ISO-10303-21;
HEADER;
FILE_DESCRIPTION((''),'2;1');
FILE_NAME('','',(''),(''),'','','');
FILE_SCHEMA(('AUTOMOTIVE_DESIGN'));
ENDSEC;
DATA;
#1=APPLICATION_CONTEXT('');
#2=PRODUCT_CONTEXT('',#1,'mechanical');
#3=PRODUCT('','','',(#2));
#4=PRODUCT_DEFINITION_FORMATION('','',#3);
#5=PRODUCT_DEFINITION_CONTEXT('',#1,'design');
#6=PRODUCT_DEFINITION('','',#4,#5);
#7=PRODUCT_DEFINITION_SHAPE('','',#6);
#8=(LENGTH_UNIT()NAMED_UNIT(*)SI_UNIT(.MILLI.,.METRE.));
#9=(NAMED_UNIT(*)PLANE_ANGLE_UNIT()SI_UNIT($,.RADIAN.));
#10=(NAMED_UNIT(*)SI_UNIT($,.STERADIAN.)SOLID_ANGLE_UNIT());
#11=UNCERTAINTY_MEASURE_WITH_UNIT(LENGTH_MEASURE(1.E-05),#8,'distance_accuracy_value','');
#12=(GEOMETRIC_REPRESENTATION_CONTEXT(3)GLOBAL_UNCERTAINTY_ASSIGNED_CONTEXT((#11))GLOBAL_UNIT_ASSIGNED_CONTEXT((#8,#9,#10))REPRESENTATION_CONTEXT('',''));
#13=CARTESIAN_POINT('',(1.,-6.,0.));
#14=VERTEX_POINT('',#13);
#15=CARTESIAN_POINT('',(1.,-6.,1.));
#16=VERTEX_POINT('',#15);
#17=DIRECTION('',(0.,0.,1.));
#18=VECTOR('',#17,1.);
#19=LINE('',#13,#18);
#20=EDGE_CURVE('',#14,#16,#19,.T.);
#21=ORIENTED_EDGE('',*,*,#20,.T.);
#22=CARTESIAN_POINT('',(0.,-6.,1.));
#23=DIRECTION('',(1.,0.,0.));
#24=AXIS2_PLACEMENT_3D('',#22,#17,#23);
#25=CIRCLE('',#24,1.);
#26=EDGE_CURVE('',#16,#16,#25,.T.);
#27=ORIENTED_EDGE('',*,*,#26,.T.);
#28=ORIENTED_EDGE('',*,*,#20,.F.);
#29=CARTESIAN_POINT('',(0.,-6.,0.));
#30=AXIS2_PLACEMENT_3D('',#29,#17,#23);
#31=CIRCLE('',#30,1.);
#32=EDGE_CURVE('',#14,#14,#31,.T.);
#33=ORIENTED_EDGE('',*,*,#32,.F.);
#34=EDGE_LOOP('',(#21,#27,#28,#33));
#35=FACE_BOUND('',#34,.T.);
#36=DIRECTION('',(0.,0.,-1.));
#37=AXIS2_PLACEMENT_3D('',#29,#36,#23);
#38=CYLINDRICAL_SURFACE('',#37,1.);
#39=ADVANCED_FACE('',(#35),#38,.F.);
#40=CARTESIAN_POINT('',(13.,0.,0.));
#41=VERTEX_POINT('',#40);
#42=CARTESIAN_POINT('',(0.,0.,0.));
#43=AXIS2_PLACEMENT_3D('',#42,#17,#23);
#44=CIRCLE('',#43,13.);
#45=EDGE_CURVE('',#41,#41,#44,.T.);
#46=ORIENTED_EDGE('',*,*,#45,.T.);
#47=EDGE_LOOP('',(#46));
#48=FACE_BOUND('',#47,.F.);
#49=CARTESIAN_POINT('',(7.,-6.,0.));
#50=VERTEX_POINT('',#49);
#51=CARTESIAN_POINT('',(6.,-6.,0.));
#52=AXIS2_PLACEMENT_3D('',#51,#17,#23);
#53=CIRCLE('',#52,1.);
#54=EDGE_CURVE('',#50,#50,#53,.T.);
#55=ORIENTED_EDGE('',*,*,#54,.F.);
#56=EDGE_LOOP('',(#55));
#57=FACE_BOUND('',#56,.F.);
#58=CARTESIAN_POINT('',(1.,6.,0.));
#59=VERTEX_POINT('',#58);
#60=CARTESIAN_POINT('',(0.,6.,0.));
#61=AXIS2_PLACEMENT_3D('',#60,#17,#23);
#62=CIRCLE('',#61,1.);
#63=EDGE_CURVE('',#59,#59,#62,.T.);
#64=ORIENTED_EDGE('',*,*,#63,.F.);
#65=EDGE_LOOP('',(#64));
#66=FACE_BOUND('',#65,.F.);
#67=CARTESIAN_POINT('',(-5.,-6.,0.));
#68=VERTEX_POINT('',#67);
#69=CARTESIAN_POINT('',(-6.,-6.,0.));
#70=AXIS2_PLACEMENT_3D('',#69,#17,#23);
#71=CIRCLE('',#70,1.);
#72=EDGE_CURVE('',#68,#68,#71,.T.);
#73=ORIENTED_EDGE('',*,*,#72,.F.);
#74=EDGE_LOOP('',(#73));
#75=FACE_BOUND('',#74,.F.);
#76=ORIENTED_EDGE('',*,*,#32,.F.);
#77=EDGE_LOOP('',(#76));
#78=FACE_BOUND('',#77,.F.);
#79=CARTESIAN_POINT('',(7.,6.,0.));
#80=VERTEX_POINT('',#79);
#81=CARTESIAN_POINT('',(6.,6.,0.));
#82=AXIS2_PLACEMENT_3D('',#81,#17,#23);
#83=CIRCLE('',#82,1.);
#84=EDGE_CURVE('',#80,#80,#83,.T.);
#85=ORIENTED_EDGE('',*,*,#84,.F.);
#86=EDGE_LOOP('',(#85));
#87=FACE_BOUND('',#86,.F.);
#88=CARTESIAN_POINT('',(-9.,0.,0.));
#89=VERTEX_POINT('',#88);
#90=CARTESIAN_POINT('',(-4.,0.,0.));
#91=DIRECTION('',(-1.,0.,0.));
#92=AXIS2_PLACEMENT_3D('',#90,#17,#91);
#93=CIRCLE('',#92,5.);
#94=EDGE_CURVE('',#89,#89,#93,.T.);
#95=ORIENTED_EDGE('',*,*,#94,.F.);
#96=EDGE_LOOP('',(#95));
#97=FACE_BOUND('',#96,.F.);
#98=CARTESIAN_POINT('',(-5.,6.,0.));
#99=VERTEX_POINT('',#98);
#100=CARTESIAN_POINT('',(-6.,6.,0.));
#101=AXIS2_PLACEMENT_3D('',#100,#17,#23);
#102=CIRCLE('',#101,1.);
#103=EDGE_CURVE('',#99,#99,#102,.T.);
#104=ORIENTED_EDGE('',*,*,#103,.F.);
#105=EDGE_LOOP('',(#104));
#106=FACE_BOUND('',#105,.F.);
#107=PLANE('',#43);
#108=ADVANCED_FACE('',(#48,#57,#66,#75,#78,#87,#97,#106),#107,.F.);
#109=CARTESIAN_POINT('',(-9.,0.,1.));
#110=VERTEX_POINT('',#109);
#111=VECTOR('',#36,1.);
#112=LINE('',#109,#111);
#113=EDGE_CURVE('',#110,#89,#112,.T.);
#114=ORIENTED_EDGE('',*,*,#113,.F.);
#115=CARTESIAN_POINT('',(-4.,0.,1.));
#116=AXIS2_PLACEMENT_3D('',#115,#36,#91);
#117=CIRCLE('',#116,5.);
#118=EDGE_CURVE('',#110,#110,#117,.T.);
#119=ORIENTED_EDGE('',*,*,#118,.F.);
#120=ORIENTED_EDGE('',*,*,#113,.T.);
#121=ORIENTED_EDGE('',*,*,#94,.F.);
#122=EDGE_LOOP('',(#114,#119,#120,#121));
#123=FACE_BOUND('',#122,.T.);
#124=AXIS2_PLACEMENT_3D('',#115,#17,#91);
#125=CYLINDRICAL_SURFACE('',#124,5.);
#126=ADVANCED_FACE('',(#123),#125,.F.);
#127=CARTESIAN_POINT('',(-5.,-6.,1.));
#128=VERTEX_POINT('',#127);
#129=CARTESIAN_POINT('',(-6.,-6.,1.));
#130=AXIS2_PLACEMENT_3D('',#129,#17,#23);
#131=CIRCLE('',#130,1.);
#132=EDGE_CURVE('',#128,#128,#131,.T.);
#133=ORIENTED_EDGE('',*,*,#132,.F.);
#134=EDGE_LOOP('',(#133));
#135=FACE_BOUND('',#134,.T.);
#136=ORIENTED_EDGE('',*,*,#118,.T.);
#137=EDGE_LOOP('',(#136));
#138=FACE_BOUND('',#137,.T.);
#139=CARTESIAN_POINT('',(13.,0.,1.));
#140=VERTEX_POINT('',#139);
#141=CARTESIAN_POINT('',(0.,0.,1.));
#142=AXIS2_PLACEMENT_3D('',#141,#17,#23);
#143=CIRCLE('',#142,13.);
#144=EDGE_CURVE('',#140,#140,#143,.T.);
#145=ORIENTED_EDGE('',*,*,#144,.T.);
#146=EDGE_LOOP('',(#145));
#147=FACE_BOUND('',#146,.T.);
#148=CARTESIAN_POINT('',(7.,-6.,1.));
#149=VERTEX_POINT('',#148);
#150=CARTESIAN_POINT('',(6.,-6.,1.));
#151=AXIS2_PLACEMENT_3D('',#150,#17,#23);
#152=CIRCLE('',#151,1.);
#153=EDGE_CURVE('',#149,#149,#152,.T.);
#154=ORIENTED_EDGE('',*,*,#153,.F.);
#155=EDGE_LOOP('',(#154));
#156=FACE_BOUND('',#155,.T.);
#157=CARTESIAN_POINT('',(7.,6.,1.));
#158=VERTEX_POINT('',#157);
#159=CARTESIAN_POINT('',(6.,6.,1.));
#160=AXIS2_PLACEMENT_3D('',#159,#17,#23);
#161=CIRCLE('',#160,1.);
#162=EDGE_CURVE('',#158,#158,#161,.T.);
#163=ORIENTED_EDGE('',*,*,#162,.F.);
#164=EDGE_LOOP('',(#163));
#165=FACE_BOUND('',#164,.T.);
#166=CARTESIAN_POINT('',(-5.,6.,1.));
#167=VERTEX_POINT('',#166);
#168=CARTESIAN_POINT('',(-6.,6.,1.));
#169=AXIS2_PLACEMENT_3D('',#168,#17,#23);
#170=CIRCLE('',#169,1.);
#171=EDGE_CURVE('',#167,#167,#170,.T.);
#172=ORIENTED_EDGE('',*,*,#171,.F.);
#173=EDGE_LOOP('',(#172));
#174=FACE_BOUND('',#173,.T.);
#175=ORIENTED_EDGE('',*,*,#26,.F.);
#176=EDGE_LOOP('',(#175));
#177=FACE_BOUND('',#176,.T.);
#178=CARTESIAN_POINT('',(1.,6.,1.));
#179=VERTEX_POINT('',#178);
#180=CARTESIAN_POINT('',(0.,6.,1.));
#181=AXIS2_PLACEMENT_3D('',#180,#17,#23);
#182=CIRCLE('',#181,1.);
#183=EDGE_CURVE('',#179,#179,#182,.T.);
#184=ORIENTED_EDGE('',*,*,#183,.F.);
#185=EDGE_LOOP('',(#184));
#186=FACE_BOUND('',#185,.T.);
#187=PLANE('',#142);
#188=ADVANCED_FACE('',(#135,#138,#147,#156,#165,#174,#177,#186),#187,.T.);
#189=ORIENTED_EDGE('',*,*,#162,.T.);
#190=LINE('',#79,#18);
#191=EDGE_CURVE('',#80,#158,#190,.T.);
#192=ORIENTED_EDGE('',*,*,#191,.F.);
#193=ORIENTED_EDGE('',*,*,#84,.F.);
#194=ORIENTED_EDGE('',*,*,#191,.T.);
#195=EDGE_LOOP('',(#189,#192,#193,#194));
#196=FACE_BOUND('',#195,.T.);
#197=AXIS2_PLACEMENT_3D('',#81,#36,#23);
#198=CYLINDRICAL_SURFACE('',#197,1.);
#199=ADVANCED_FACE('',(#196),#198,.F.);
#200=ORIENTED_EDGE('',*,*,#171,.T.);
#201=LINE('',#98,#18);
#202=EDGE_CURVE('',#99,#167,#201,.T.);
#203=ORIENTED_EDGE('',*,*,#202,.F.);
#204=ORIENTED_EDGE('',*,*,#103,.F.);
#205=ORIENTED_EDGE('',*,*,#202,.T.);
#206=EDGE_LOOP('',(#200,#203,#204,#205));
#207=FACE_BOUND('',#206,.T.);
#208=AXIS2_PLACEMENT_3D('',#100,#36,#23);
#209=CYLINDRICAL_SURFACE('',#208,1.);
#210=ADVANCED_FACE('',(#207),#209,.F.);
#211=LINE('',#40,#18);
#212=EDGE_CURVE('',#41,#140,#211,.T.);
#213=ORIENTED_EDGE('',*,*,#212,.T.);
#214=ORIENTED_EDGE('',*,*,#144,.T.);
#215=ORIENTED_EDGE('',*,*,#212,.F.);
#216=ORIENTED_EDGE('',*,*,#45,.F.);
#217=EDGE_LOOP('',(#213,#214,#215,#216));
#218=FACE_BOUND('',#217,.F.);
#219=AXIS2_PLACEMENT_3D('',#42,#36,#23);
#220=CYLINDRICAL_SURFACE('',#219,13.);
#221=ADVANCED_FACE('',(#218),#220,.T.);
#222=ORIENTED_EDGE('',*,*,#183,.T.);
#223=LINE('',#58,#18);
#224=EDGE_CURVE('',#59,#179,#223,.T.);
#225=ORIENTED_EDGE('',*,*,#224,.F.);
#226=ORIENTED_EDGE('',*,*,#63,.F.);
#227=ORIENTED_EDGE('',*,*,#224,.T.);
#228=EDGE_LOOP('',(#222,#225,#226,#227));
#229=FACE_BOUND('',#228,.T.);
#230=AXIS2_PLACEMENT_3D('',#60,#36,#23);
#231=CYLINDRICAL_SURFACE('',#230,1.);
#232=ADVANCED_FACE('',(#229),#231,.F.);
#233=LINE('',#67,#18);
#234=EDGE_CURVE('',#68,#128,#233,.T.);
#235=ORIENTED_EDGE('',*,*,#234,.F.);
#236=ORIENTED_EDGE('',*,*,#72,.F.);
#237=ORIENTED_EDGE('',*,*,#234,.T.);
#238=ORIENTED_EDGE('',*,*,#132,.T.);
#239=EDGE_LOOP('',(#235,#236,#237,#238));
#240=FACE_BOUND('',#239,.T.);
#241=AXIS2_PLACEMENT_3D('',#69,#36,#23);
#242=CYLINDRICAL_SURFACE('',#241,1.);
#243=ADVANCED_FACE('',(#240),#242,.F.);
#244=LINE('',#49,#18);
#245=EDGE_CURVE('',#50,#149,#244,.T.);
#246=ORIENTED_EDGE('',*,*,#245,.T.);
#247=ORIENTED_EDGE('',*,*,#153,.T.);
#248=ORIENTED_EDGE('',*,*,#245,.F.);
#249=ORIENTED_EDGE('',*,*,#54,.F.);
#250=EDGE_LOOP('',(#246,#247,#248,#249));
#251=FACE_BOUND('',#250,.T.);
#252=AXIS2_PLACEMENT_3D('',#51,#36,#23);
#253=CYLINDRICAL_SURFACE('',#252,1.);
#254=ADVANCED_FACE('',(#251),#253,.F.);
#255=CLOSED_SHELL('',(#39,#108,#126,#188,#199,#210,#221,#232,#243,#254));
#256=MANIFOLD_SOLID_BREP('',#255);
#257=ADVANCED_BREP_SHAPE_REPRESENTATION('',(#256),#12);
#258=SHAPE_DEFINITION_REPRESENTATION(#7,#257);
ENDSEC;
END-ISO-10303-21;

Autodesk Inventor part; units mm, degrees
ref_plane "YZ Plane" through (0, 0, 0) normal (1, 0, 0) x (0, 1, 0)
ref_plane "XZ Plane" through (0, 0, 0) normal (0, 1, 0) x (-1, 0, 0)
ref_plane "XY Plane" through (0, 0, 0) normal (0, 0, 1) x (1, 0, 0)
sketch "Sketch1" plane through (0, 0, 0) normal (0, 0, 1) x (1, 0, 0)
  circle A0 centre (0, 0) radius 13
  circle A1 centre (-6, 6) radius 1
  circle A2 centre (0, 6) radius 1
  circle A3 centre (6, 6) radius 1
  circle A4 centre (6, -6) radius 1
  circle A5 centre (0, -6) radius 1
  circle A6 centre (-6, -6) radius 1
  dimension "d0" = 26
  dimension "d2" = 2
  dimension "d3" = 12
  dimension "d4" = 6
  dimension "d5" = 12
  dimension "d6" = 6
  dimension "d7" = 6
  dimension "d8" = 2
extrude "Extrusion1" add sketch "Sketch1" along normal blind 1
sketch "Sketch2" plane through (0, 0, 1) normal (0, 0, -1) x (-1, 0, 0)
  circle A0 centre (4, 0) radius 5
  circle A1 centre (0, 6) radius 1 projected
  point P0 (0, 0)
  dimension "d11" = 10
  dimension "d12" = 4
extrude "Extrusion2" cut sketch "Sketch2" along normal blind 18 contours A0
equation "\"d4\" = 0.5 * d3"
equation "\"d6\" = 0.5 * d5"
properties part number "12"
